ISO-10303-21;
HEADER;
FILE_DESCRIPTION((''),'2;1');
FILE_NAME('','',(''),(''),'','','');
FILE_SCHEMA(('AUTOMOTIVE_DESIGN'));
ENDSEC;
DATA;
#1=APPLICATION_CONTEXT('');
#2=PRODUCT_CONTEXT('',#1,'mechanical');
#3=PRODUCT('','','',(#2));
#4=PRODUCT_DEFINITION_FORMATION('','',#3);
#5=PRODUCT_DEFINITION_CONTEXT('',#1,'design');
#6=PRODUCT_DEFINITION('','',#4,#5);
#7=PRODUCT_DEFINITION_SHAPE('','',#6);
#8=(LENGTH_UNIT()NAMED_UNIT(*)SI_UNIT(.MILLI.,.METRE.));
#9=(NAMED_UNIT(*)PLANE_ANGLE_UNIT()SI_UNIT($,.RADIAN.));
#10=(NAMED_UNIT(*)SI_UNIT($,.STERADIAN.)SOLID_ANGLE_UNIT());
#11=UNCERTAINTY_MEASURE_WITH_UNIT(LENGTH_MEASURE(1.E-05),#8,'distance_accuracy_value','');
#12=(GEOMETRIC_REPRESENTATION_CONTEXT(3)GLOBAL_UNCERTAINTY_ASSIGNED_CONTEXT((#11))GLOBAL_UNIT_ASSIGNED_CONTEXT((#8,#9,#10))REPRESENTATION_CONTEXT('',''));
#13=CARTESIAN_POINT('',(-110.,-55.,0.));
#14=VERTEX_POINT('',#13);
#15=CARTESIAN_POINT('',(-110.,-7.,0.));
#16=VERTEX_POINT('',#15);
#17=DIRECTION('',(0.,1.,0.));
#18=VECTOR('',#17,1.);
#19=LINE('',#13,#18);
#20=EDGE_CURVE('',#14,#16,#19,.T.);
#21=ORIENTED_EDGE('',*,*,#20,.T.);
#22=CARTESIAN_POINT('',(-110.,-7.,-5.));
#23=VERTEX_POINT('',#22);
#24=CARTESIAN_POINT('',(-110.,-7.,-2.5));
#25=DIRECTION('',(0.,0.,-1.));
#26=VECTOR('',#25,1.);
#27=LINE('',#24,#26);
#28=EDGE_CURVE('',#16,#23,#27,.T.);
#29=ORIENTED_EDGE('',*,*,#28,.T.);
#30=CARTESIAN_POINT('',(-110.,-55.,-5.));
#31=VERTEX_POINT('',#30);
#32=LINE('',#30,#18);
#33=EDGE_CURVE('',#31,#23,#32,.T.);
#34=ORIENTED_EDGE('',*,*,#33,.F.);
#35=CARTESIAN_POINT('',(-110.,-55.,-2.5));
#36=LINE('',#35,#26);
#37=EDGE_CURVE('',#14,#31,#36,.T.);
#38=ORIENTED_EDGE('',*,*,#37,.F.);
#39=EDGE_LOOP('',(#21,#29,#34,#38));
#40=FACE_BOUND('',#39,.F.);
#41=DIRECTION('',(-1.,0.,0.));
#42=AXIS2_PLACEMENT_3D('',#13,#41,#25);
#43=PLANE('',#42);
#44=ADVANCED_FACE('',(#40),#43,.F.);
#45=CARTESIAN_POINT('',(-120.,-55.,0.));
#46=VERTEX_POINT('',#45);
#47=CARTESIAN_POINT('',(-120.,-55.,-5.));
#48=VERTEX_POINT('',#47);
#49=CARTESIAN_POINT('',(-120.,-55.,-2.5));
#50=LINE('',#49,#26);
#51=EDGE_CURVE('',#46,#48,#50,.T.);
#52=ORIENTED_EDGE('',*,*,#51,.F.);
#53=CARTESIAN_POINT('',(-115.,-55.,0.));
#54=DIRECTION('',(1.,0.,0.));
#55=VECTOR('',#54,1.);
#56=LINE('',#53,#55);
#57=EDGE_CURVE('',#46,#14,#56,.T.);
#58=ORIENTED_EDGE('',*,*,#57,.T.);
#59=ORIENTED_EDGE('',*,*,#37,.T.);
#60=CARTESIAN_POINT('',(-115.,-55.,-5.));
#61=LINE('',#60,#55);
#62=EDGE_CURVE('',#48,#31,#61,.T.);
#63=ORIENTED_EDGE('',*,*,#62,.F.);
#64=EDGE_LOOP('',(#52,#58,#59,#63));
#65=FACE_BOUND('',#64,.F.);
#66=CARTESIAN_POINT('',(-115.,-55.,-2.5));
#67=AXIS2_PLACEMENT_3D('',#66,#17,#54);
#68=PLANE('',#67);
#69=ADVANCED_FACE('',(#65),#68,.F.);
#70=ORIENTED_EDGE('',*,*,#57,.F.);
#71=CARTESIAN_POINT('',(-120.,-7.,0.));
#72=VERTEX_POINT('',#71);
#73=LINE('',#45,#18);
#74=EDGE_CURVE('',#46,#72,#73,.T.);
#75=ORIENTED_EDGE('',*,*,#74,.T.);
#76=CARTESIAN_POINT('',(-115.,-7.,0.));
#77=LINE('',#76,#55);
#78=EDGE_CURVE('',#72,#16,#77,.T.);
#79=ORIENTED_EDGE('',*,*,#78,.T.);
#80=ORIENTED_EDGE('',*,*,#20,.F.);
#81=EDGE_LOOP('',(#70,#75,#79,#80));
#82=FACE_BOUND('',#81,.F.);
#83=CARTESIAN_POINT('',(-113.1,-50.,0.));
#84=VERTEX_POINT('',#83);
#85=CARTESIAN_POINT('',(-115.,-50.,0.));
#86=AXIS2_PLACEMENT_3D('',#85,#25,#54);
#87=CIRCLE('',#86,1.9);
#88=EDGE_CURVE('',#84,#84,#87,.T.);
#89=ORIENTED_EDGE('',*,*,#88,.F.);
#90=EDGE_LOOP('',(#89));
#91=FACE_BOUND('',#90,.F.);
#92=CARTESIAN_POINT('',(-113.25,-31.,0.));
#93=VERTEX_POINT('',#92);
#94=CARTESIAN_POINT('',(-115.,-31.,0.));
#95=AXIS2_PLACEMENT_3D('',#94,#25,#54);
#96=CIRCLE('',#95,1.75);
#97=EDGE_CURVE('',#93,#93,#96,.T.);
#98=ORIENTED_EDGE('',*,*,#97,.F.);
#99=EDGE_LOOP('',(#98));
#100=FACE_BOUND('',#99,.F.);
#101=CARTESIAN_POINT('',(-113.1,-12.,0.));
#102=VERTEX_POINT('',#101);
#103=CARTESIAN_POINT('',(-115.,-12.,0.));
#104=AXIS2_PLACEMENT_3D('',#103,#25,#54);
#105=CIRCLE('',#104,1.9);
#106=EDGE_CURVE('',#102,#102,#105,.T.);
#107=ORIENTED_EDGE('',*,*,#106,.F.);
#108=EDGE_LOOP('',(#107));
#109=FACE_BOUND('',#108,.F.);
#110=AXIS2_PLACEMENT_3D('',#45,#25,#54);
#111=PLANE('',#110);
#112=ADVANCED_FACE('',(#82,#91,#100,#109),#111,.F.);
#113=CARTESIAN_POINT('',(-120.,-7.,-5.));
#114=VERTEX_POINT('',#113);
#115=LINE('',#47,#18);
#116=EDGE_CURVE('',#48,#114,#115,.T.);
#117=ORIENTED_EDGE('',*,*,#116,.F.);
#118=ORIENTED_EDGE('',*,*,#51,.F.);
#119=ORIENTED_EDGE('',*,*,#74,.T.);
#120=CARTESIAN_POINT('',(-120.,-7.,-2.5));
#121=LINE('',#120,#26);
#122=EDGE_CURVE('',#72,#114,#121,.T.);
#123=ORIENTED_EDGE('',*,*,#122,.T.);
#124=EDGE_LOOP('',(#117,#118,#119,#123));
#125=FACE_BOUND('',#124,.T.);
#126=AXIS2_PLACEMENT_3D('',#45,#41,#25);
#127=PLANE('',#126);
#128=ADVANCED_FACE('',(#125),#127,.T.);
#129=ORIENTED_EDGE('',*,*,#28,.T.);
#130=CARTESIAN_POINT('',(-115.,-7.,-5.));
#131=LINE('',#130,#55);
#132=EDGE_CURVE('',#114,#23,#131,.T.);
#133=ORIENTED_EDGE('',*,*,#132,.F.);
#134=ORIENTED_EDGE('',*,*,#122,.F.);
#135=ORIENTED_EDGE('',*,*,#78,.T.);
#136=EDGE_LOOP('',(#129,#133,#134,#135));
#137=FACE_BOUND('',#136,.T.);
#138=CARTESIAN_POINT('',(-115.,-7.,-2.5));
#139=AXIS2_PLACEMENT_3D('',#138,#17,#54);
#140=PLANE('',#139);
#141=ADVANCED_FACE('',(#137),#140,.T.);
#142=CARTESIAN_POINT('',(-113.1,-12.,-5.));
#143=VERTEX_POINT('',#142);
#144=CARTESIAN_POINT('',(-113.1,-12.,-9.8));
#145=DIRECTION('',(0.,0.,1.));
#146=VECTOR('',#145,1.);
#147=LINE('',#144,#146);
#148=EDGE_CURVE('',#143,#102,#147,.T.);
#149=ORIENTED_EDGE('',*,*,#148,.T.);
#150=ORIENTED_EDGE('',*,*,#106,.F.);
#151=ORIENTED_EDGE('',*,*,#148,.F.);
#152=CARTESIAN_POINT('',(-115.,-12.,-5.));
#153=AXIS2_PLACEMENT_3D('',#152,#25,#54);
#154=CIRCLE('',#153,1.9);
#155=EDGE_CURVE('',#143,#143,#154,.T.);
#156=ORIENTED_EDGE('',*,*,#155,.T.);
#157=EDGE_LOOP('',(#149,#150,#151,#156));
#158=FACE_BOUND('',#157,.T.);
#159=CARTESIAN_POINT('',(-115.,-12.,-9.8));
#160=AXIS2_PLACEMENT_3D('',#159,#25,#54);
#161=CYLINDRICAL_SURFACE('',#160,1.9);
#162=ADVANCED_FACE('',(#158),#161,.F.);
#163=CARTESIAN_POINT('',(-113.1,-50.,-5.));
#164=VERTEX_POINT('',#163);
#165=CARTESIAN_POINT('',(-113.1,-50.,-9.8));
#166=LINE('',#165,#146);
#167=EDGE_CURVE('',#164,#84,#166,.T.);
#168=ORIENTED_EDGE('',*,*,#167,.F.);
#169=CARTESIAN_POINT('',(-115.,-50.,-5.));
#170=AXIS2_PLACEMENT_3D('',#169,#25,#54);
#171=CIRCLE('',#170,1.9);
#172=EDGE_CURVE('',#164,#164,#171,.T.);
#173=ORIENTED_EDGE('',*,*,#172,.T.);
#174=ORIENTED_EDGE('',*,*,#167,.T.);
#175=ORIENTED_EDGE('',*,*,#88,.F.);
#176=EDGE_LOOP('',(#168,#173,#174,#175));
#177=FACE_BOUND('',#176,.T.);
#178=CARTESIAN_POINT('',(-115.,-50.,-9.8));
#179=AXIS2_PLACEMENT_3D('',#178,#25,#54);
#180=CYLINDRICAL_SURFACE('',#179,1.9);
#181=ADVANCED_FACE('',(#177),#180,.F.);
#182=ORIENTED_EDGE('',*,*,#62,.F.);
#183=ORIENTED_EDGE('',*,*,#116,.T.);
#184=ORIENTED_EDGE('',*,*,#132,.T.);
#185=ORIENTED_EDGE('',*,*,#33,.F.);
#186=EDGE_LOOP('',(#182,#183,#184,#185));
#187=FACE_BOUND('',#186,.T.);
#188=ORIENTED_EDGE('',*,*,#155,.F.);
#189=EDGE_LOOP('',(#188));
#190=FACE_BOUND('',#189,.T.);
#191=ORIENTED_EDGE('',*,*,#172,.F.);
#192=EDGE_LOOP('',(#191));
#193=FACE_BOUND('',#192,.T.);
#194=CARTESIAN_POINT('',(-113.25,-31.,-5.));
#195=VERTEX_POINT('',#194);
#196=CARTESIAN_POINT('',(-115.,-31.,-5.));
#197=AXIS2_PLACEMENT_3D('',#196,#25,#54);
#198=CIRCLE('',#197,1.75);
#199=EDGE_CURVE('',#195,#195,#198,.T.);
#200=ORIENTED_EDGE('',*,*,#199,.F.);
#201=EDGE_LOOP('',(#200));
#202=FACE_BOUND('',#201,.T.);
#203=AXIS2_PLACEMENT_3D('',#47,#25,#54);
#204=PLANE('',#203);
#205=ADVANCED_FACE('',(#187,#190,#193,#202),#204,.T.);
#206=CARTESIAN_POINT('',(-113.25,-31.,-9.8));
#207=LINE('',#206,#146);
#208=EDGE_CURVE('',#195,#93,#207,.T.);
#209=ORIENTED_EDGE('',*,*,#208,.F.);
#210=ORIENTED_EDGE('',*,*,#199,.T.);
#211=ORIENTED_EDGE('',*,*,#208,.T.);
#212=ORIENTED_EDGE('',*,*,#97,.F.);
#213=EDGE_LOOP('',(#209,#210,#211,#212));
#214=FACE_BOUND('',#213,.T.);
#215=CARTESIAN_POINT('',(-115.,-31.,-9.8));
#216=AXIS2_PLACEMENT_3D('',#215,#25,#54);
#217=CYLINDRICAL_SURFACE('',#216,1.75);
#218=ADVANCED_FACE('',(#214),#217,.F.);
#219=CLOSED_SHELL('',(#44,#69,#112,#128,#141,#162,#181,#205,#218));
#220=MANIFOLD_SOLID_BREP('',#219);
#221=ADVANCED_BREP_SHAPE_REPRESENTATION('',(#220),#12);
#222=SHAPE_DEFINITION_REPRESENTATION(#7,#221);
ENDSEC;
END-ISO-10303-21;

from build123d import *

# Parameters (mm, degrees)
CYLINDER066_R          = 1.9
CYLINDER066_DEPTH      = 10
CYLINDER067_R          = 1.9
CYLINDER067_DEPTH      = 10
CYLINDER065_R          = 1.75
CYLINDER065_DEPTH      = 10
BOX014_W               = 10
BOX014_H               = 5
BOX014_DEPTH           = 48
CUT005_PLACEMENT_ANGLE = 270


with BuildPart() as cylinder066:
    # Cylinder066 → Cylinder066 (new body)
    with BuildSketch(Plane(origin=(-115, 0, -50), x_dir=(1, 0, 0), z_dir=(0, -1, 0))):
        Circle(CYLINDER066_R)
    extrude(amount=CYLINDER066_DEPTH)


with BuildPart() as cylinder067:
    # Cylinder067 → Cylinder067 (new body)
    with BuildSketch(Plane(origin=(-115, 0, -12), x_dir=(1, 0, 0), z_dir=(0, -1, 0))):
        Circle(CYLINDER067_R)
    extrude(amount=CYLINDER067_DEPTH)


with BuildPart() as sidecuts001:
    # Cylinder065 → Cylinder065 (new body)
    with BuildSketch(Plane(origin=(-115, 0, -31), x_dir=(1, 0, 0), z_dir=(0, -1, 0))):
        Circle(CYLINDER065_R)
    extrude(amount=CYLINDER065_DEPTH)

    # Fusion024: union Cylinder066, Cylinder067
    add(cylinder066.part)
    add(cylinder067.part)


with BuildPart() as sidecuts001_1:
    # Fusion024 placement: moved
    add(sidecuts001.part.moved(Location((0, 9.8, 0))))


with BuildPart() as cornerbase001:
    # Box014 → Box014 (new body)
    with BuildSketch(Plane(origin=(-120, 0, -55), x_dir=(1, 0, 0), z_dir=(0, 0, 1))):
        with Locations((5, 2.5)):
            Rectangle(BOX014_W, BOX014_H)
    extrude(amount=BOX014_DEPTH)

    # Cut005: cut sideCuts001
    add(sidecuts001_1.part, mode=Mode.SUBTRACT)


with BuildPart() as cornerbase001_1:
    # Cut005 placement: moved
    add(cornerbase001.part.rotate(Axis((0, 0, 0), (1, 0, 0)), CUT005_PLACEMENT_ANGLE))


solid = cornerbase001_1.part
